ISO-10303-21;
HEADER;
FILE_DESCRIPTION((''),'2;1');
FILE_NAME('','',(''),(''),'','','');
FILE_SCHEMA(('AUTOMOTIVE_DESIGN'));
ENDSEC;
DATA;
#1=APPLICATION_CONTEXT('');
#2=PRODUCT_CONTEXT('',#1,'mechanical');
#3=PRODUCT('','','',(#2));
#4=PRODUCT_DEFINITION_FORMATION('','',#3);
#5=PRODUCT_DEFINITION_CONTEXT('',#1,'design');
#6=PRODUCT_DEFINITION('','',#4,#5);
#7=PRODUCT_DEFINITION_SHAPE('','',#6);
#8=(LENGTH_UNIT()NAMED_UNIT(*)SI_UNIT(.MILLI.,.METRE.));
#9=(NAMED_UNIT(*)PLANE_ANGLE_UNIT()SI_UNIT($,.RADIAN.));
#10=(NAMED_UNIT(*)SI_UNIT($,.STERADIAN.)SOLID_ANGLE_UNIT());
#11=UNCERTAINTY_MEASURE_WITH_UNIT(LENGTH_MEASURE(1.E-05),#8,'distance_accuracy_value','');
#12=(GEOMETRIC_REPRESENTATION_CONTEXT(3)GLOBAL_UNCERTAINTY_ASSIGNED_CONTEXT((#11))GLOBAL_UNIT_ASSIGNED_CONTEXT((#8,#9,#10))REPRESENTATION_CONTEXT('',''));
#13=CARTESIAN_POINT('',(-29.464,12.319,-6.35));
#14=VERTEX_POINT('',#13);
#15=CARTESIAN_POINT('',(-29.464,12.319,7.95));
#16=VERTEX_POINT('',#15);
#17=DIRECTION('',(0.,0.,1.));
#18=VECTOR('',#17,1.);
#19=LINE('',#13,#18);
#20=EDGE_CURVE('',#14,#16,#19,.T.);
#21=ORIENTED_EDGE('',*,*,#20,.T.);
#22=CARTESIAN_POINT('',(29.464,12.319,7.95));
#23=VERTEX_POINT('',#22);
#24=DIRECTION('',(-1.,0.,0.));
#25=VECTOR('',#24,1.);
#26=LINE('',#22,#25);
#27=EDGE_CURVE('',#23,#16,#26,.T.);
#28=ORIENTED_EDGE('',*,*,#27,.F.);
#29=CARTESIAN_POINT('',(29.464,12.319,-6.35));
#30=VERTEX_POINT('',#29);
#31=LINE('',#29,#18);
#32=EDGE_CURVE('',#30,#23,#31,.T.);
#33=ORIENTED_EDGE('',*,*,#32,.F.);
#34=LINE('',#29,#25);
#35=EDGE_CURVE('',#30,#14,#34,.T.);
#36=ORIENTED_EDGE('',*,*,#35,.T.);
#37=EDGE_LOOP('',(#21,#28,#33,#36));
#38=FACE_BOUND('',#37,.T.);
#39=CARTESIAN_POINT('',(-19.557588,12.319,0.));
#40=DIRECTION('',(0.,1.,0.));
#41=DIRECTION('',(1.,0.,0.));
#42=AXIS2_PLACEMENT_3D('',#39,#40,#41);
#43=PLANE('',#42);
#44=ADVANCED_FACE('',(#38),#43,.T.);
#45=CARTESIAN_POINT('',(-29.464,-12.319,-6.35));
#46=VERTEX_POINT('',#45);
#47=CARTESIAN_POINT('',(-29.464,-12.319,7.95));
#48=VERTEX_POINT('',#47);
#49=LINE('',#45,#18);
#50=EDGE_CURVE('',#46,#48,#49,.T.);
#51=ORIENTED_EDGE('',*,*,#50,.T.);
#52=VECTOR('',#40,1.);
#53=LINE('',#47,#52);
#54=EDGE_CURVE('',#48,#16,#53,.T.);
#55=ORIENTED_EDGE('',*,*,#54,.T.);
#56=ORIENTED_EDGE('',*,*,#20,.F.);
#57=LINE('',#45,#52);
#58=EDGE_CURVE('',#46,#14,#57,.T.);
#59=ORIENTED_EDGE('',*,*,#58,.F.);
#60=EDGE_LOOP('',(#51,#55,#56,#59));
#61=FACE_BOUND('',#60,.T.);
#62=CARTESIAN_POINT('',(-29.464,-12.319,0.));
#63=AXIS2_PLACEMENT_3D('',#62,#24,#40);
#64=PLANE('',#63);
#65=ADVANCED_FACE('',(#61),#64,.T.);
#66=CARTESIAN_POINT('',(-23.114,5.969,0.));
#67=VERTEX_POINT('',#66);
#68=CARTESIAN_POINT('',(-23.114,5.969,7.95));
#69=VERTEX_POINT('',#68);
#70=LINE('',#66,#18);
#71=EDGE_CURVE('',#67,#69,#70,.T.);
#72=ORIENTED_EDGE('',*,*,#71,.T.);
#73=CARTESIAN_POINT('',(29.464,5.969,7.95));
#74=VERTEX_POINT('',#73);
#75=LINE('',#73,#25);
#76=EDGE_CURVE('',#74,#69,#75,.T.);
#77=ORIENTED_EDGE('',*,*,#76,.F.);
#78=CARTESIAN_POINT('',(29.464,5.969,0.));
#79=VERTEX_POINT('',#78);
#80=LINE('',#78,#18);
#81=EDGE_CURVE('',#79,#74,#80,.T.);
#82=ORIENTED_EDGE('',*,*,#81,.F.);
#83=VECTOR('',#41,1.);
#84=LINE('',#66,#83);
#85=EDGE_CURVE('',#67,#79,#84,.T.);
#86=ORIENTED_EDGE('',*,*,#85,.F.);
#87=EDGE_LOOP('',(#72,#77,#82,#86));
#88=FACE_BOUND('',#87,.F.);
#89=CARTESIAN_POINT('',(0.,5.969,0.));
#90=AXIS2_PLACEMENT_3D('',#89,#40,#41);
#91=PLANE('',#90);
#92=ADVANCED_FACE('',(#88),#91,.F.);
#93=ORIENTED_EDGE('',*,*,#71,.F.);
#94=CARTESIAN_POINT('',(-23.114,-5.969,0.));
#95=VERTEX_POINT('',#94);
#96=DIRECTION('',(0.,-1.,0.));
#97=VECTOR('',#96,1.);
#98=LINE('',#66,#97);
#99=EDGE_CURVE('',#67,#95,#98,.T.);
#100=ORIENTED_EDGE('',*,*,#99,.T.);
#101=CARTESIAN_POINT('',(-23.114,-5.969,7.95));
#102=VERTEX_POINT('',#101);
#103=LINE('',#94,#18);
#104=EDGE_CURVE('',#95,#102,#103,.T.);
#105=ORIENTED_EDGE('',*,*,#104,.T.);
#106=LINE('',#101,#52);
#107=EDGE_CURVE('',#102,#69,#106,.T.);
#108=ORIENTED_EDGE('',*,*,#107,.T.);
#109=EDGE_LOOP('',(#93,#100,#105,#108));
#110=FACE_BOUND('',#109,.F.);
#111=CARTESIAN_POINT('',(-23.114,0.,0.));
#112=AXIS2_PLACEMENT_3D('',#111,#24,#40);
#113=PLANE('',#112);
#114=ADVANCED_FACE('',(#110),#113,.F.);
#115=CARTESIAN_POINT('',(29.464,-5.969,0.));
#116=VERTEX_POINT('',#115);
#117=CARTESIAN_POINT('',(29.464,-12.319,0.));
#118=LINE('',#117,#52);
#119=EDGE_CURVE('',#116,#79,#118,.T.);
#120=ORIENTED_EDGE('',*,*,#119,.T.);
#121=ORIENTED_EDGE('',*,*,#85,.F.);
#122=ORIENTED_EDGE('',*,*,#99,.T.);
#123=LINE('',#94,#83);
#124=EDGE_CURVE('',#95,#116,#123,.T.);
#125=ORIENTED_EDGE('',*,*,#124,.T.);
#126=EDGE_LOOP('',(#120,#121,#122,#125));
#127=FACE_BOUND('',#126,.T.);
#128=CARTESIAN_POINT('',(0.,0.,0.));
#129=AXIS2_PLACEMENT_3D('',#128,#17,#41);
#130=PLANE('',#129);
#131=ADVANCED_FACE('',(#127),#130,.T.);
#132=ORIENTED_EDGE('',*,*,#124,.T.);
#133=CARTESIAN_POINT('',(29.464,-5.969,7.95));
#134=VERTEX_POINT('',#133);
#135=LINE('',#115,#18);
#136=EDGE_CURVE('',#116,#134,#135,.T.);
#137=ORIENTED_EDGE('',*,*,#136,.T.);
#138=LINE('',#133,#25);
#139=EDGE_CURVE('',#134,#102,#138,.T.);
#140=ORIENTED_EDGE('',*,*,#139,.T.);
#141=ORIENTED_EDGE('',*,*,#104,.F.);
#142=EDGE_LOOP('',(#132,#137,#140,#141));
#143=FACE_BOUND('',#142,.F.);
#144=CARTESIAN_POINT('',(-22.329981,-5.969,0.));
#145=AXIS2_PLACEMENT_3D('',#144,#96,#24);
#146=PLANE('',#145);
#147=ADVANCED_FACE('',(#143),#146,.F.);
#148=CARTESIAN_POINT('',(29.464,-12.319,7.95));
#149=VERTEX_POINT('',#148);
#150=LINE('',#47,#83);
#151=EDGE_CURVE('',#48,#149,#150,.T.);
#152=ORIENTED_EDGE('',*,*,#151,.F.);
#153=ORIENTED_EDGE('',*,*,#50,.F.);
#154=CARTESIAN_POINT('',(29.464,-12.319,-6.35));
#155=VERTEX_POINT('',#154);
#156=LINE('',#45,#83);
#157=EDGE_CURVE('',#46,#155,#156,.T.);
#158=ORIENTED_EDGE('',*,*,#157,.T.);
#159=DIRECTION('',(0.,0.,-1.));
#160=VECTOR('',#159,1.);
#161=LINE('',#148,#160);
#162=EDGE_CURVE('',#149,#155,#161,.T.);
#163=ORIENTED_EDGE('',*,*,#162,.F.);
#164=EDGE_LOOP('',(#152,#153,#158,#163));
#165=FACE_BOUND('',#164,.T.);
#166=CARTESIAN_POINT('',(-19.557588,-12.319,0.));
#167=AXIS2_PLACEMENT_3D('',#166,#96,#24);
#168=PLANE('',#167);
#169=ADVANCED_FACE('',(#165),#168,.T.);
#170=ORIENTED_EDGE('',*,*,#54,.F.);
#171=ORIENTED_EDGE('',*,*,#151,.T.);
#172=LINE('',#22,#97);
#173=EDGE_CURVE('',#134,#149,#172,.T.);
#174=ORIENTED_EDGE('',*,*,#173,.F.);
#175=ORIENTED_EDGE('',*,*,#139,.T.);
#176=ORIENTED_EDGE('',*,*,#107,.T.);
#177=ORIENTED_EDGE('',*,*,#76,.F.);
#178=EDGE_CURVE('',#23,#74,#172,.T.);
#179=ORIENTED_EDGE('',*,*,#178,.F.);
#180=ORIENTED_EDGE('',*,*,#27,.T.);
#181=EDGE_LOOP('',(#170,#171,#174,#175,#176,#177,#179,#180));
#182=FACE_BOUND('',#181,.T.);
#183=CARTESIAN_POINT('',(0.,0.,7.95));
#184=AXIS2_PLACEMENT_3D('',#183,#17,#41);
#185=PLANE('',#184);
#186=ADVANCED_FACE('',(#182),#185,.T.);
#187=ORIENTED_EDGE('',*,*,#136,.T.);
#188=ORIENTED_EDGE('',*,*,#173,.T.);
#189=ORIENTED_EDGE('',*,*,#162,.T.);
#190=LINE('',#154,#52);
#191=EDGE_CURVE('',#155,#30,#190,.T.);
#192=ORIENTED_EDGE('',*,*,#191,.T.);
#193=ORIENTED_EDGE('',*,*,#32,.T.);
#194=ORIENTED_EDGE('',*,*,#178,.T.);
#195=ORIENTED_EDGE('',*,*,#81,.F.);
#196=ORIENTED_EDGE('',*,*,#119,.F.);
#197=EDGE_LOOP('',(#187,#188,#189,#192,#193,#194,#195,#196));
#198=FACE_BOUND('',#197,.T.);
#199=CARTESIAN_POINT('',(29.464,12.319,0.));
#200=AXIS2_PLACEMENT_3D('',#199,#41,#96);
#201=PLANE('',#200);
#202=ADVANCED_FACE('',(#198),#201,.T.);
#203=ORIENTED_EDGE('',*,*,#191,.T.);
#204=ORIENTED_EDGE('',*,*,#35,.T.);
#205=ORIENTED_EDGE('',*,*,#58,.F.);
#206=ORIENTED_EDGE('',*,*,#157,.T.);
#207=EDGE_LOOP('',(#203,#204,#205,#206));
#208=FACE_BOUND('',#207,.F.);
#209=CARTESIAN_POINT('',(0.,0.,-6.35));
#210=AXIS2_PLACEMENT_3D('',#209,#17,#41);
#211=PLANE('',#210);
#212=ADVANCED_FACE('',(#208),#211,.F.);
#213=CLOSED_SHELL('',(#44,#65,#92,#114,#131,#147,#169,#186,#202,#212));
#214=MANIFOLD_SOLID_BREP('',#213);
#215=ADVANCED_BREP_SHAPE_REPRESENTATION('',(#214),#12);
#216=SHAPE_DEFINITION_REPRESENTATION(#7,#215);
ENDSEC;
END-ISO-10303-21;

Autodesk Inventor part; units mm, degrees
ref_plane "YZ Plane" through (0, 0, 0) normal (1, 0, 0) x (0, 1, 0)
ref_plane "XZ Plane" through (0, 0, 0) normal (0, 1, 0) x (-1, 0, 0)
ref_plane "XY Plane" through (0, 0, 0) normal (0, 0, 1) x (1, 0, 0)
sketch "Sketch2" plane through (0, 0, 0) normal (0, 0, 1) x (1, 0, 0)
  circle A0 centre (0, 0) radius 23.114
  circle A1 centre (0, 0) radius 5.969
  line L0 (-23.114, 5.969) -> (23.114, 5.969)
  line L1 (23.114, 5.969) -> (23.114, -5.969)
  line L2 (23.114, -5.969) -> (-23.114, -5.969)
  line L3 (-23.114, -5.969) -> (-23.114, 5.969)
  line L4 (29.464, -12.319) -> (-29.464, -12.319)
  line L5 (-29.464, -12.319) -> (-29.464, 12.319)
  line L6 (-29.464, 12.319) -> (29.464, 12.319)
  line L7 (29.464, 12.319) -> (29.464, -12.319)
  line L8 (29.464, -12.319) -> (-29.464, 12.319) construction
  line L9 (-29.464, -12.319) -> (29.464, 12.319) construction
  line L10 (23.114, 5.969) -> (23.114, -5.969)
  line L11 (23.114, -5.969) -> (29.464, -5.969)
  line L12 (29.464, -5.969) -> (29.464, 5.969)
  line L13 (29.464, 5.969) -> (23.114, 5.969)
  dimension "d14" = 46.228
  dimension "d15" = 11.938
  dimension "d16" = 46.228
  dimension "d17" = 11.938
  dimension "d18" = 23.114
  dimension "d19" = 5.969
  dimension "d20" = 24.638
  dimension "d21" = 58.928
extrude "Extrusion2" add sketch "Sketch2" along normal blind 7.95 contours L0 A0 L6 | A0 L6 L7 L13 L0 | L2 L11 L7 L4 A0 | A0 L4 L2 | A0 L0 L3 L2 L4 L5 L6
extrude "Extrusion3" add sketch "Sketch2" against normal blind 6.35 contours A0 L2 A1 L0 | L1 L2 A0 | A0 L0 L1 | L1 L13 L7 L11 | L0 A0 L6 | A0 L6 L7 L13 L0 | L2 L11 L7 L4 A0 | A0 L4 L2 | A1 | A1 L2 A0 L0 | A0 L0 L3 L2 L4 L5 L6 | A0 L3 L0 | L2 L3 A0
ref_plane "Work Plane1" through (0, 0, 25.85) normal (0, 0, 1) x (1, 0, 0)
equation "\"d18\" = 0.5 * d16"
equation "\"d19\" = 0.5 * d17"
